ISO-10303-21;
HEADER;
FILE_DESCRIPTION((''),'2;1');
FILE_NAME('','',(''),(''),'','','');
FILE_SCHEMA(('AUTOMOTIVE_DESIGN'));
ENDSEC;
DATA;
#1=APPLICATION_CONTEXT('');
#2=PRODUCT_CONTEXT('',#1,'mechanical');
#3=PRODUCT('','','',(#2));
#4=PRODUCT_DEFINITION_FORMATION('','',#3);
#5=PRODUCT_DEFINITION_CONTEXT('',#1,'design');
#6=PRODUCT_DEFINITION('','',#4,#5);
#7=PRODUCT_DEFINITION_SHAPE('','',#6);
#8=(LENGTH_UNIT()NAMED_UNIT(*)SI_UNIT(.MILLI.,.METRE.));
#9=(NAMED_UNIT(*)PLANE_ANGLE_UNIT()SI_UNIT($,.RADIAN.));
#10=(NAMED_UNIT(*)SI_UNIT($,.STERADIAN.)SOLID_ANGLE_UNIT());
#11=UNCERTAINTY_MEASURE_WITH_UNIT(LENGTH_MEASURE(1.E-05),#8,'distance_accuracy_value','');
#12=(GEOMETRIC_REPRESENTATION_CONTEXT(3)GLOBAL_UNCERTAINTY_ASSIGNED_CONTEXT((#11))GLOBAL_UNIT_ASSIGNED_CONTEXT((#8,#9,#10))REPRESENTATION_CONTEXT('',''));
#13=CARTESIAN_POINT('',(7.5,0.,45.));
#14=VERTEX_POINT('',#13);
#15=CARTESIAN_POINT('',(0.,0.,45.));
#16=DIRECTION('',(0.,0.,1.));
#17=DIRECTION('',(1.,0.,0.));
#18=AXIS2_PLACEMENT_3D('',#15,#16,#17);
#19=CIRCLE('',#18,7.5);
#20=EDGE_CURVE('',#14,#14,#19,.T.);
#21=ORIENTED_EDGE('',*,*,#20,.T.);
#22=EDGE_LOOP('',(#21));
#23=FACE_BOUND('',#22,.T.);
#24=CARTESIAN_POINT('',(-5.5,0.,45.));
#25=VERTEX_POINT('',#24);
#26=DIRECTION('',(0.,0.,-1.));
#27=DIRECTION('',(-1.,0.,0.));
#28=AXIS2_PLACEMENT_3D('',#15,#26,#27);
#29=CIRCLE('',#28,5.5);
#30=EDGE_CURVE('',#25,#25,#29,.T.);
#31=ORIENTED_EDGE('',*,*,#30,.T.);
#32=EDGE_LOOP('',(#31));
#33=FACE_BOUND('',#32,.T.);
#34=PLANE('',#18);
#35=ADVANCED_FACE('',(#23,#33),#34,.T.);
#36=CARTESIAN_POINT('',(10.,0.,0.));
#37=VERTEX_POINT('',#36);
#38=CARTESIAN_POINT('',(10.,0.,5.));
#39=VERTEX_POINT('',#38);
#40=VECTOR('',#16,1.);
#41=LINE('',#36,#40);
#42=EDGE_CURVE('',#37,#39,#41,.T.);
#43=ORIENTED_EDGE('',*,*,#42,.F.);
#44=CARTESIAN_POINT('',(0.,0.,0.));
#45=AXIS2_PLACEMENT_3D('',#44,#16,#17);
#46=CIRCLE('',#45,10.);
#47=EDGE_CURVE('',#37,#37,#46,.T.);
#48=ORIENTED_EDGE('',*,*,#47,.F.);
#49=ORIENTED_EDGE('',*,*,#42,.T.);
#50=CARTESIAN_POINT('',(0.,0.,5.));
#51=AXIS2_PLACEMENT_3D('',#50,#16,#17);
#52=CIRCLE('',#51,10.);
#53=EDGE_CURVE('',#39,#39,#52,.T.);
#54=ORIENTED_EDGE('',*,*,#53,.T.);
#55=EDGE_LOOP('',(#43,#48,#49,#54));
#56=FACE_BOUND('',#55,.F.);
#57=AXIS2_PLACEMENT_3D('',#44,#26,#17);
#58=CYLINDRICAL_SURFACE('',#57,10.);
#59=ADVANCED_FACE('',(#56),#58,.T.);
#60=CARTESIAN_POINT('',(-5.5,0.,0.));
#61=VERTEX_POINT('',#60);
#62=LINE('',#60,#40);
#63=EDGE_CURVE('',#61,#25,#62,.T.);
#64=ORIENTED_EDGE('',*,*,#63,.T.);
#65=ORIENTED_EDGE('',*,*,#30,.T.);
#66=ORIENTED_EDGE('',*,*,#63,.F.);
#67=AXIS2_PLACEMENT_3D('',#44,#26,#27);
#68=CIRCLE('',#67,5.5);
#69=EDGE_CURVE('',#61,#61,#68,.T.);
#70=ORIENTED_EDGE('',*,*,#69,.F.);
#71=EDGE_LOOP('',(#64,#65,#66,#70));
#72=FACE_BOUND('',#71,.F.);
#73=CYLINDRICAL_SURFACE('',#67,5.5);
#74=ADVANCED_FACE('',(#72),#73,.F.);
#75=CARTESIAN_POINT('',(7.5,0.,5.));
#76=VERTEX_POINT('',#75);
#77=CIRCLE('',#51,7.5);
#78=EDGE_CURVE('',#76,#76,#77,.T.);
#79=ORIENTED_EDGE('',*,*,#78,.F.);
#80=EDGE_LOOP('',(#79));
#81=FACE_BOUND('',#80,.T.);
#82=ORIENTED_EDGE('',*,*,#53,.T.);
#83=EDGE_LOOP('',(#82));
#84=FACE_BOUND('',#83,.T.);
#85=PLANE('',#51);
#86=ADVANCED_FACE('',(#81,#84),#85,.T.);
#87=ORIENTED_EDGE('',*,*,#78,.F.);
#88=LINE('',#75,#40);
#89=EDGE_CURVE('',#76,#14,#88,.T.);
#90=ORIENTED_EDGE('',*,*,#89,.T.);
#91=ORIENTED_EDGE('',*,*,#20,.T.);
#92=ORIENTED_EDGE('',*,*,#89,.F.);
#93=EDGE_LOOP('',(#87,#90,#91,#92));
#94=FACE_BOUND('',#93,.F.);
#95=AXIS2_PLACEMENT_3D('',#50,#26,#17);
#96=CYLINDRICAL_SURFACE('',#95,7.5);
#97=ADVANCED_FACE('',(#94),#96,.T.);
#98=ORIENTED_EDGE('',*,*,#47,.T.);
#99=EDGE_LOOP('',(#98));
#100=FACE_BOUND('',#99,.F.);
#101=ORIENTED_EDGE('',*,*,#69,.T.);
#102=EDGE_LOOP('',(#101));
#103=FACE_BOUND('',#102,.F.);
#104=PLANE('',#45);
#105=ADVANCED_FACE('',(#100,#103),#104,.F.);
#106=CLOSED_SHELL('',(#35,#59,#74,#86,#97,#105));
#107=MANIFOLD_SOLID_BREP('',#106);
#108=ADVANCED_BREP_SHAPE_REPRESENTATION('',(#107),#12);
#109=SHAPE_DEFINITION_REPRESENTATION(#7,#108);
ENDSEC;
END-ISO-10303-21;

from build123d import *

# Parameters (mm, degrees)
SKETCH1_R           = 10
BOSS_EXTRUDE1_DEPTH = 5
SKETCH2_R           = 7.5
BOSS_EXTRUDE2_DEPTH = 40
SKETCH4_R           = 5.5
CUT_EXTRUDE1_DEPTH  = 45


with BuildPart() as part:
    # Sketch1 → Boss-Extrude1 (new body)
    with BuildSketch(Plane.XY):
        Circle(SKETCH1_R)
    extrude(amount=BOSS_EXTRUDE1_DEPTH)

    # Sketch2 → Boss-Extrude2 (add)
    with BuildSketch(Plane.XY.offset(5)):
        Circle(SKETCH2_R)
    extrude(amount=BOSS_EXTRUDE2_DEPTH)

    # Sketch4 → Cut-Extrude1 (cut)
    with BuildSketch(Plane(origin=(0, 0, 0), x_dir=(-1, 0, 0), z_dir=(0, 0, -1))):
        Circle(SKETCH4_R)
    extrude(amount=-CUT_EXTRUDE1_DEPTH, mode=Mode.SUBTRACT)


solid = part.part
